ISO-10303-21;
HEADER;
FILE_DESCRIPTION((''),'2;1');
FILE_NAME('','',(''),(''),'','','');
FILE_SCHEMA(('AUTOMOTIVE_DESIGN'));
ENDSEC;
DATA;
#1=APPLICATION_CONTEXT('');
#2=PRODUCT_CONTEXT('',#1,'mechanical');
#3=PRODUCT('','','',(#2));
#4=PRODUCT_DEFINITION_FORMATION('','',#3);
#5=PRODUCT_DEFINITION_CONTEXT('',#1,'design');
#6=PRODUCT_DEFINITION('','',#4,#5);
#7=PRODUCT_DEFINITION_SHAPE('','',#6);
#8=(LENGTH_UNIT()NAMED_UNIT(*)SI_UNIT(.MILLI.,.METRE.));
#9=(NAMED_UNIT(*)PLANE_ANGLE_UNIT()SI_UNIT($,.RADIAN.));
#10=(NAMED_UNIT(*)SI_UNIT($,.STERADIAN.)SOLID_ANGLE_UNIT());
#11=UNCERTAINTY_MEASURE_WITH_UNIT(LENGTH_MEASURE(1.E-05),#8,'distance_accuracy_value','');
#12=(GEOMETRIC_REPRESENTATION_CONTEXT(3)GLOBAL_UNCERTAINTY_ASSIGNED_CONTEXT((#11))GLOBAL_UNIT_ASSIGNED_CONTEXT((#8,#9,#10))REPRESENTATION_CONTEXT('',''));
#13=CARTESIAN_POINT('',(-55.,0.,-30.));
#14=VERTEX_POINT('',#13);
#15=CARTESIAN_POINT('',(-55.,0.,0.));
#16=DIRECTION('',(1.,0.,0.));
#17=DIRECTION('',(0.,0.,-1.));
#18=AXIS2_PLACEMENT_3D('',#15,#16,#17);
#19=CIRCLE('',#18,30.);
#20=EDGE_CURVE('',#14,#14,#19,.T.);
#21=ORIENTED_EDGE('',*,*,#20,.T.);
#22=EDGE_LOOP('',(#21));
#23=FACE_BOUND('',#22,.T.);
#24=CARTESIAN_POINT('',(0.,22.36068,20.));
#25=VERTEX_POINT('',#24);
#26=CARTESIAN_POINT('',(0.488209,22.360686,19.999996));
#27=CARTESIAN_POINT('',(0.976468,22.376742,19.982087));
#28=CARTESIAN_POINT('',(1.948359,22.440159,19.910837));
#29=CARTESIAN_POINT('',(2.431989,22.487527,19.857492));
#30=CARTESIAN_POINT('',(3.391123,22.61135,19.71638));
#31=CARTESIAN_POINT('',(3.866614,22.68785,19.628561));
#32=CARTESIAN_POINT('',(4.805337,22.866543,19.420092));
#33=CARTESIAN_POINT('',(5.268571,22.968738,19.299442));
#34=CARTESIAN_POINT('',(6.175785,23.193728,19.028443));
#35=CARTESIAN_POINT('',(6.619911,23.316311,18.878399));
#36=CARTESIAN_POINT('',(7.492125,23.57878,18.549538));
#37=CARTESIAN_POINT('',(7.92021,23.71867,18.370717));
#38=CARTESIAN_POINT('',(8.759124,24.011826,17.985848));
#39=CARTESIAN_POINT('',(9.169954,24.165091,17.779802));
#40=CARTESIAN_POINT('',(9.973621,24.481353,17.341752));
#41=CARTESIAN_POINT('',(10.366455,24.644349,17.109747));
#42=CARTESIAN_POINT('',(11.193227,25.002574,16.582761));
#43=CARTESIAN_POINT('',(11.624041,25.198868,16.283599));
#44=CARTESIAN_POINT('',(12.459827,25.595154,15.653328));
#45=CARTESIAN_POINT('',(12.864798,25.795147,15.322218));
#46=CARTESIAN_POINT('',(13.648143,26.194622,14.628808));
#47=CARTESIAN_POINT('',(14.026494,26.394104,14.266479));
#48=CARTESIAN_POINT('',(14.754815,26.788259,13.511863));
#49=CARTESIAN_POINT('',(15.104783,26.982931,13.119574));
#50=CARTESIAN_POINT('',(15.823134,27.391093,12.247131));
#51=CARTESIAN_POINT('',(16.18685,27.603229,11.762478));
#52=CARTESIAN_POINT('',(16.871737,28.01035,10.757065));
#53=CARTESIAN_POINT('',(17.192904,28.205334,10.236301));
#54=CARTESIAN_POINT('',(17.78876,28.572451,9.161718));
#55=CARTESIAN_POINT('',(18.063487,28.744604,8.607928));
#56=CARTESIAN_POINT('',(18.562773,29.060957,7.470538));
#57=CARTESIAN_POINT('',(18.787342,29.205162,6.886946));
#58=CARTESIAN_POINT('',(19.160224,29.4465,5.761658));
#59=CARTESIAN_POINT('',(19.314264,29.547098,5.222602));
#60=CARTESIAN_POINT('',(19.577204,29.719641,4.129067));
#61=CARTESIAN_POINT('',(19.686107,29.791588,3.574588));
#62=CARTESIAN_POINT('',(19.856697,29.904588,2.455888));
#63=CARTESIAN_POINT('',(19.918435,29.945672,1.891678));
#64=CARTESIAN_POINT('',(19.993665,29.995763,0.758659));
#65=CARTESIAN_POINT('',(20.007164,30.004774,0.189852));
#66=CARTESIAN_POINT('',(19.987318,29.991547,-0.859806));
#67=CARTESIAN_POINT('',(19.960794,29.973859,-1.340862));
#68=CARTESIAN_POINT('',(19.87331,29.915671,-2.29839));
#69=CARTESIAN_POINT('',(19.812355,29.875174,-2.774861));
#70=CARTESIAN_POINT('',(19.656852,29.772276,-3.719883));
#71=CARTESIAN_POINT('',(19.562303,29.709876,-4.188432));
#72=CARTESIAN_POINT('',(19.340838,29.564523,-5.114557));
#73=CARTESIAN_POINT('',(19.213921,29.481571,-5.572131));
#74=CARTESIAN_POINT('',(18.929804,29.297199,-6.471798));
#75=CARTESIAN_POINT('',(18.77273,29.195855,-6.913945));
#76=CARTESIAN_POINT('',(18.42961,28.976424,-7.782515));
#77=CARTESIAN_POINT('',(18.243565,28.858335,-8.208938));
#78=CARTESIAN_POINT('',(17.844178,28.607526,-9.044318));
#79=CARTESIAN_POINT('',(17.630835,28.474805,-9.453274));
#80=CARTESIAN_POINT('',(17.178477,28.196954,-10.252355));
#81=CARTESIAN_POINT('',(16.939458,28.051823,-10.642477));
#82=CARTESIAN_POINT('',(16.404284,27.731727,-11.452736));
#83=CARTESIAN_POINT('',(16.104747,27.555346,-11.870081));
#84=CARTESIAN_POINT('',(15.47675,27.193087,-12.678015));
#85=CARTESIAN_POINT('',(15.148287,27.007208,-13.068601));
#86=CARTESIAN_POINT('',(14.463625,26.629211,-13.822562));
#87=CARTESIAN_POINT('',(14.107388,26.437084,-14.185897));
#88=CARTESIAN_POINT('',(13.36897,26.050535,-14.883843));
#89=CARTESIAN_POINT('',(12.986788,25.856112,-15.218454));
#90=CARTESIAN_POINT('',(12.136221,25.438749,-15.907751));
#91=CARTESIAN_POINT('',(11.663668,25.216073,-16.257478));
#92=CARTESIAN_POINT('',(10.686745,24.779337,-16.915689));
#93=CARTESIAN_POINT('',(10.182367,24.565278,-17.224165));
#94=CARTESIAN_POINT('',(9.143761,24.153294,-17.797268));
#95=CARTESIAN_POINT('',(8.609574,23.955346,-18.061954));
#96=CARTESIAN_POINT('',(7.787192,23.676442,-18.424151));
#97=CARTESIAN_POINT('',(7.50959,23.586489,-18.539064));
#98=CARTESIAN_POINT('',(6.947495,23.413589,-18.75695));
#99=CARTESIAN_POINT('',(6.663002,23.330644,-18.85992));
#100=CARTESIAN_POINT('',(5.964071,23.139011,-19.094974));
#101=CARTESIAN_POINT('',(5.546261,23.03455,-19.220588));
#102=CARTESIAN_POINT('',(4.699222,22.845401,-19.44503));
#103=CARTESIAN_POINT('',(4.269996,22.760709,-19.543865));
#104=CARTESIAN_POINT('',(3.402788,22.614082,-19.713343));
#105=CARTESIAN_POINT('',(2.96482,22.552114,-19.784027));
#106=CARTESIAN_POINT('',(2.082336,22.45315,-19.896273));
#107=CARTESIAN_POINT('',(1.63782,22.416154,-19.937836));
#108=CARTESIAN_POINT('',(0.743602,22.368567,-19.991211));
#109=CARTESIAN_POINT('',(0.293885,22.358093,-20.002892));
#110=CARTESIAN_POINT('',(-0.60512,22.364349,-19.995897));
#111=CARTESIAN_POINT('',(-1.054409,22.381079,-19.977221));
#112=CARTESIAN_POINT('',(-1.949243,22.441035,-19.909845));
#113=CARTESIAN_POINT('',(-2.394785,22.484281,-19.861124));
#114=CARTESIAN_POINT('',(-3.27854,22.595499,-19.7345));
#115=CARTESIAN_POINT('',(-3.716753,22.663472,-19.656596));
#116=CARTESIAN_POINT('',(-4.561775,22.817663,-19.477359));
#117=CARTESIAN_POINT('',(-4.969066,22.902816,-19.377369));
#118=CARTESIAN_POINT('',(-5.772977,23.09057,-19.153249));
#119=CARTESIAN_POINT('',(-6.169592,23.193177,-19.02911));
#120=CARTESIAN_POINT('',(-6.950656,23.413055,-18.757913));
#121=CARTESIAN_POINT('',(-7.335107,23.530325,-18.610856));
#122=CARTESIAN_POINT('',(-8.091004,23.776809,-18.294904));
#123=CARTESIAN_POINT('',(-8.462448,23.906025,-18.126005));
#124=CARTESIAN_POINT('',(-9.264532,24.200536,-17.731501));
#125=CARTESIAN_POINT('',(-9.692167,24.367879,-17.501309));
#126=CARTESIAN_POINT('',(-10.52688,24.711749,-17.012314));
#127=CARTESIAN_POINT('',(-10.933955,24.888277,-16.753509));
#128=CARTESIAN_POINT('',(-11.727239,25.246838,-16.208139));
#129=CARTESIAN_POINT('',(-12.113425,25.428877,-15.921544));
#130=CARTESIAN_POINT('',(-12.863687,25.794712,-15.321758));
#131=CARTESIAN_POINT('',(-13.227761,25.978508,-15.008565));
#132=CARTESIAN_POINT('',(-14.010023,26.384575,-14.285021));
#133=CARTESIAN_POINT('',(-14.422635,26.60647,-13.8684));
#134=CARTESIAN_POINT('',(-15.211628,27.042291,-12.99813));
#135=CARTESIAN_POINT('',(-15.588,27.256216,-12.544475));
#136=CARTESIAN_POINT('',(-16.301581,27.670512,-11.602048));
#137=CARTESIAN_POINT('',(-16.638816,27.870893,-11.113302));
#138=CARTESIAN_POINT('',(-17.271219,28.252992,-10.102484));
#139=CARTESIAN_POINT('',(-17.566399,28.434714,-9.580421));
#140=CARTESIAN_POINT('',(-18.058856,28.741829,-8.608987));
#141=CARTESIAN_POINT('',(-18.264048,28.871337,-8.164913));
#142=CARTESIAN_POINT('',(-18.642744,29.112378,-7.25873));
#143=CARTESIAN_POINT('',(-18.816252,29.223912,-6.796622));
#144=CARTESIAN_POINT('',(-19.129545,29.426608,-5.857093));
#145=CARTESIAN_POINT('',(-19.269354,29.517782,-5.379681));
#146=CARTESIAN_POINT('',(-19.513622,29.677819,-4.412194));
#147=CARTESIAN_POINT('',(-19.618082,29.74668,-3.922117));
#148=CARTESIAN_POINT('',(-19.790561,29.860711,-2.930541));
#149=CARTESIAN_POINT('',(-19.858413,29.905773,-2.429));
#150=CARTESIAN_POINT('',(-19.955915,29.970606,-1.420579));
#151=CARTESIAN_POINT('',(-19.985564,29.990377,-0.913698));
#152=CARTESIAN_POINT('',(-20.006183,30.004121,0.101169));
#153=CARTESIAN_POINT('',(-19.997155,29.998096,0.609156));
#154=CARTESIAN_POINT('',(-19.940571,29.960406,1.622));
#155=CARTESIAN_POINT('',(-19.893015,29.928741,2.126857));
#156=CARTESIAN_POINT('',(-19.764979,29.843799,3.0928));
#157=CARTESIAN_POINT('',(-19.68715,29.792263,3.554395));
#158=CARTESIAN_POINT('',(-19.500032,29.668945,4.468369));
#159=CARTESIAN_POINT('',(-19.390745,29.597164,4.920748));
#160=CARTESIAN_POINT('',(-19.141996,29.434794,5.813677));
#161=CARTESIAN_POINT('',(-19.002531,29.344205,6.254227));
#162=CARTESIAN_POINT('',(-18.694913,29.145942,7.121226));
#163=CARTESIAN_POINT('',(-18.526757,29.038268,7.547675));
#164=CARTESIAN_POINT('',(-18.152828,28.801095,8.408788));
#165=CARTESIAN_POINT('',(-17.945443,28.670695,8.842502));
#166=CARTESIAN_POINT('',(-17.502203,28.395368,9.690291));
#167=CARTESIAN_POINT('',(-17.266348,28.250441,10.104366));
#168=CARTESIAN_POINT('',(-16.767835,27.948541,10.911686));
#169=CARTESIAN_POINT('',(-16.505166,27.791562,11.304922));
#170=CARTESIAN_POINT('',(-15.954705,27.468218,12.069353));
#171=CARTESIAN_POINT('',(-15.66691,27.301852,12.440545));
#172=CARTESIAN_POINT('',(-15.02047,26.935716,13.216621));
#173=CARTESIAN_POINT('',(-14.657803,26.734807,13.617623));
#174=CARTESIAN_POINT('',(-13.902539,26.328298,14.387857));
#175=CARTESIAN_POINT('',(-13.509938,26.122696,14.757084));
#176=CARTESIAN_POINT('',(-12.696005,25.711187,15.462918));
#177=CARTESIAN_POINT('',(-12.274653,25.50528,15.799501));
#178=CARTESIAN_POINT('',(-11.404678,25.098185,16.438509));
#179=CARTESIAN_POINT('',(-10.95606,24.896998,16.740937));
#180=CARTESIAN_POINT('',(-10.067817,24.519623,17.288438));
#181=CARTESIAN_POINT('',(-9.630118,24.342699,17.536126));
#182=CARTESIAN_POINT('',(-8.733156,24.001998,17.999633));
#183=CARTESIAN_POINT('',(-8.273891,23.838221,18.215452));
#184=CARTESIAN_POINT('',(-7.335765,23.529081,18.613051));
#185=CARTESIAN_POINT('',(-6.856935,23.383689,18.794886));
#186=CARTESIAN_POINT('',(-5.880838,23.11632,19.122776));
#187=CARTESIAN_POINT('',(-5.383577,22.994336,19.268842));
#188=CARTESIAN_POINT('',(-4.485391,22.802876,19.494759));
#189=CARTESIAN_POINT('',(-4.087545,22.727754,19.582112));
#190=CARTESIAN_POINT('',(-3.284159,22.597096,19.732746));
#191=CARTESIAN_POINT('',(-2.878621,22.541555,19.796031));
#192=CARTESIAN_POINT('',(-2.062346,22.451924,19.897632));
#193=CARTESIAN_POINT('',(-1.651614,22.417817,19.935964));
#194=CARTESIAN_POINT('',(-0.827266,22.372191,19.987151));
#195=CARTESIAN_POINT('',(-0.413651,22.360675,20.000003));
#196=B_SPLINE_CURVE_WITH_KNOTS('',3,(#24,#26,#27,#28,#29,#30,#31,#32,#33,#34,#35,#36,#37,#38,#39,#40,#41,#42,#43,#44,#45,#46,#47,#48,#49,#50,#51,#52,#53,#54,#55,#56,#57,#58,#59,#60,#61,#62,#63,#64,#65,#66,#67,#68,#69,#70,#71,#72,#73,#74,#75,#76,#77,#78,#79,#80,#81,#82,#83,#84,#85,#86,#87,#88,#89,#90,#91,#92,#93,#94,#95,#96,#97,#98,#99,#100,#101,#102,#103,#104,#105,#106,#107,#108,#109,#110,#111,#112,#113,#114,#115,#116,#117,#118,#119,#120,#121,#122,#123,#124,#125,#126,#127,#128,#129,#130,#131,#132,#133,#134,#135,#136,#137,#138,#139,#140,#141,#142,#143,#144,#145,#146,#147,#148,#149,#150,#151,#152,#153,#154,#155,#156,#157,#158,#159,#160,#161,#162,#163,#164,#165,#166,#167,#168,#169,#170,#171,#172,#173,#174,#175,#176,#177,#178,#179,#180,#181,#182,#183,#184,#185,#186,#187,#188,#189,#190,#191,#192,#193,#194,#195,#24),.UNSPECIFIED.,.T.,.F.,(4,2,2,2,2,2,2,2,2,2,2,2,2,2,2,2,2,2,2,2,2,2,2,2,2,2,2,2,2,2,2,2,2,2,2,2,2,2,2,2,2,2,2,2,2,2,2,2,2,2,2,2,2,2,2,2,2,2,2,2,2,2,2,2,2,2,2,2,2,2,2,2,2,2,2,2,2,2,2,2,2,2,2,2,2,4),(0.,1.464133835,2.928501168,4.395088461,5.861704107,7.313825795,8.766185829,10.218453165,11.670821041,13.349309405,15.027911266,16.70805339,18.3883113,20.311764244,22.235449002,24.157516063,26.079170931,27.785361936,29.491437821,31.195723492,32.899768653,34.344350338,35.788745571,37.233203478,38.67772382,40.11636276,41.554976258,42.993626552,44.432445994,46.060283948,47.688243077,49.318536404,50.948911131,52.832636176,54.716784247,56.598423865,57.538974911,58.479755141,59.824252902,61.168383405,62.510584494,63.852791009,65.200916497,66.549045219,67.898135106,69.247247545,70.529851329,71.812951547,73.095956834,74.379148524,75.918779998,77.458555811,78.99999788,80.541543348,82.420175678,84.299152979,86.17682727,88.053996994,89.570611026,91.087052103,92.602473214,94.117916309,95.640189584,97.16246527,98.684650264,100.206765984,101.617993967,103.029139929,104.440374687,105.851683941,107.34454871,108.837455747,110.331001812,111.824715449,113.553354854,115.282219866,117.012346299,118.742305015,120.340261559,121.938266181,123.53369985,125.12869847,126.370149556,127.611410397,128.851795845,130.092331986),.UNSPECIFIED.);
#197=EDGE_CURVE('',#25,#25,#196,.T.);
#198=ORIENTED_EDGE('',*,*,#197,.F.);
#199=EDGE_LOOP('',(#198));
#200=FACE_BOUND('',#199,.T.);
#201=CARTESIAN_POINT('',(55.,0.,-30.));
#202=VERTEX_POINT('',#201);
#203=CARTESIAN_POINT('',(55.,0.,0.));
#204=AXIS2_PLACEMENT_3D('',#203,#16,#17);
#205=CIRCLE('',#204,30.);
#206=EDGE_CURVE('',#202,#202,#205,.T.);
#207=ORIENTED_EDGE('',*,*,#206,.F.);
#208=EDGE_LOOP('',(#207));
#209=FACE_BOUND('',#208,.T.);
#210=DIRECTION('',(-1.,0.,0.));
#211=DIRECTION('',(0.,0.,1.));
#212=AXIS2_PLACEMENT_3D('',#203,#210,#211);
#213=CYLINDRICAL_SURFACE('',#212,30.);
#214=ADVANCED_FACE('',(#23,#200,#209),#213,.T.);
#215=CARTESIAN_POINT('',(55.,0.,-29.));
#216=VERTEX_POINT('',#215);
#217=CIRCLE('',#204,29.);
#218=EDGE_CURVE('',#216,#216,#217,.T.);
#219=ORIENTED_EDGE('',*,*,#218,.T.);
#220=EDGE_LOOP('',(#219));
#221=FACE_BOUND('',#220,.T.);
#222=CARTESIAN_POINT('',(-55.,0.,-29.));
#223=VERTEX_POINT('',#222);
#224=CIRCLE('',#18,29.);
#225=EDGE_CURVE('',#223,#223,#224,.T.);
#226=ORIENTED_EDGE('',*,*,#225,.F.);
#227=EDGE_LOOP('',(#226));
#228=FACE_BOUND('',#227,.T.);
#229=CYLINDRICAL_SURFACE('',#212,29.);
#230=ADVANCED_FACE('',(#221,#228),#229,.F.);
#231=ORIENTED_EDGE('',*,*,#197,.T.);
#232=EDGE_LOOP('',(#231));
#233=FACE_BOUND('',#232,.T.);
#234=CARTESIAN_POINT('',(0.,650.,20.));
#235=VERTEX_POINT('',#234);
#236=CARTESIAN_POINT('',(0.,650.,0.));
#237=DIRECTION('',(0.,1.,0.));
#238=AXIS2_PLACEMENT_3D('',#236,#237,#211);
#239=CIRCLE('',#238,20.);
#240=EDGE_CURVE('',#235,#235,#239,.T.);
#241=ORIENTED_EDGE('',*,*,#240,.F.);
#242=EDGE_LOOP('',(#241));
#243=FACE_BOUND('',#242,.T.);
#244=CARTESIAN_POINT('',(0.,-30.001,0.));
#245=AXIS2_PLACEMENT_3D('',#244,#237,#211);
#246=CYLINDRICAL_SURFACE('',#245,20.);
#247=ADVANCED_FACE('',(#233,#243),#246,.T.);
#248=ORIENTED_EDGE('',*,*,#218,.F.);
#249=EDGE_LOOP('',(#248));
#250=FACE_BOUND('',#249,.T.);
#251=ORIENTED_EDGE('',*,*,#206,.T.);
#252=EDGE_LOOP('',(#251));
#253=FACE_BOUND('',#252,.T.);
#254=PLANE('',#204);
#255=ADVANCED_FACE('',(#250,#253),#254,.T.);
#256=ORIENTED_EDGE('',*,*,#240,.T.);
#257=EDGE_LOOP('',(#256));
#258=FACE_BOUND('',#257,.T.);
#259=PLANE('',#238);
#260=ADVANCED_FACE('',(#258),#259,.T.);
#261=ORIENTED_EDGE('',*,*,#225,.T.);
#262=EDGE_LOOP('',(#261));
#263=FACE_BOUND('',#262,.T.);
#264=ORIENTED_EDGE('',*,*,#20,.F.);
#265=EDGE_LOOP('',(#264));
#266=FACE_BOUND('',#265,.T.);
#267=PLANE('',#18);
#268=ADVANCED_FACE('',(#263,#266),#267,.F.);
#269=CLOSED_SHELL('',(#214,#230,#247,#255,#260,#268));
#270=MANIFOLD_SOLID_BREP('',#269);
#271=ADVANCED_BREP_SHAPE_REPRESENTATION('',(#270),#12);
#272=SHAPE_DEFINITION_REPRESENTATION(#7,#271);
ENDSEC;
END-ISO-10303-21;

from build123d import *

# Parameters (mm, degrees)
SKETCH2_R                = 30
SKETCH2_R_2              = 29
BOSS_EXTRUDE3_DEPTH      = 55
BOSS_EXTRUDE4_REACH      = 721.462
BOSS_EXTRUDE4_END_RADIUS = 30
BOSS_EXTRUDE4_START      = 650
SKETCH1_R                = 20


with BuildPart() as part:
    # Sketch2 → Boss-Extrude3 (new, symmetric)
    with BuildSketch(Plane(origin=(0, 0, 0), x_dir=(0, 0, -1), z_dir=(1, 0, 0))):
        Circle(SKETCH2_R)
        Circle(SKETCH2_R_2, mode=Mode.SUBTRACT)
    extrude(amount=BOSS_EXTRUDE3_DEPTH, both=True)

    # Boss-Extrude4: up to this cylinder (the profile starts outside it)
    boss_extrude4_end = Plane(origin=(0, 0, 0), z_dir=(-1, 0, 0)) * Cylinder(BOSS_EXTRUDE4_END_RADIUS, 1503.924, mode=Mode.PRIVATE)
    # Sketch1 → Boss-Extrude4 (add, up to the surface)
    with BuildSketch(Plane(origin=(0, 0, 0), x_dir=(1, 0, 0), z_dir=(0, 1, 0)).offset(BOSS_EXTRUDE4_START), mode=Mode.PRIVATE) as boss_extrude4_sk1:
        with Locations(Location((0, 0, 0), (0, 0, 270))):
            Circle(SKETCH1_R)
    boss_extrude4_tool1 = extrude(boss_extrude4_sk1.sketch, amount=-BOSS_EXTRUDE4_REACH, mode=Mode.PRIVATE) - boss_extrude4_end
    add(boss_extrude4_tool1.solids().sort_by_distance((0, 650, 0))[0])


solid = part.part
